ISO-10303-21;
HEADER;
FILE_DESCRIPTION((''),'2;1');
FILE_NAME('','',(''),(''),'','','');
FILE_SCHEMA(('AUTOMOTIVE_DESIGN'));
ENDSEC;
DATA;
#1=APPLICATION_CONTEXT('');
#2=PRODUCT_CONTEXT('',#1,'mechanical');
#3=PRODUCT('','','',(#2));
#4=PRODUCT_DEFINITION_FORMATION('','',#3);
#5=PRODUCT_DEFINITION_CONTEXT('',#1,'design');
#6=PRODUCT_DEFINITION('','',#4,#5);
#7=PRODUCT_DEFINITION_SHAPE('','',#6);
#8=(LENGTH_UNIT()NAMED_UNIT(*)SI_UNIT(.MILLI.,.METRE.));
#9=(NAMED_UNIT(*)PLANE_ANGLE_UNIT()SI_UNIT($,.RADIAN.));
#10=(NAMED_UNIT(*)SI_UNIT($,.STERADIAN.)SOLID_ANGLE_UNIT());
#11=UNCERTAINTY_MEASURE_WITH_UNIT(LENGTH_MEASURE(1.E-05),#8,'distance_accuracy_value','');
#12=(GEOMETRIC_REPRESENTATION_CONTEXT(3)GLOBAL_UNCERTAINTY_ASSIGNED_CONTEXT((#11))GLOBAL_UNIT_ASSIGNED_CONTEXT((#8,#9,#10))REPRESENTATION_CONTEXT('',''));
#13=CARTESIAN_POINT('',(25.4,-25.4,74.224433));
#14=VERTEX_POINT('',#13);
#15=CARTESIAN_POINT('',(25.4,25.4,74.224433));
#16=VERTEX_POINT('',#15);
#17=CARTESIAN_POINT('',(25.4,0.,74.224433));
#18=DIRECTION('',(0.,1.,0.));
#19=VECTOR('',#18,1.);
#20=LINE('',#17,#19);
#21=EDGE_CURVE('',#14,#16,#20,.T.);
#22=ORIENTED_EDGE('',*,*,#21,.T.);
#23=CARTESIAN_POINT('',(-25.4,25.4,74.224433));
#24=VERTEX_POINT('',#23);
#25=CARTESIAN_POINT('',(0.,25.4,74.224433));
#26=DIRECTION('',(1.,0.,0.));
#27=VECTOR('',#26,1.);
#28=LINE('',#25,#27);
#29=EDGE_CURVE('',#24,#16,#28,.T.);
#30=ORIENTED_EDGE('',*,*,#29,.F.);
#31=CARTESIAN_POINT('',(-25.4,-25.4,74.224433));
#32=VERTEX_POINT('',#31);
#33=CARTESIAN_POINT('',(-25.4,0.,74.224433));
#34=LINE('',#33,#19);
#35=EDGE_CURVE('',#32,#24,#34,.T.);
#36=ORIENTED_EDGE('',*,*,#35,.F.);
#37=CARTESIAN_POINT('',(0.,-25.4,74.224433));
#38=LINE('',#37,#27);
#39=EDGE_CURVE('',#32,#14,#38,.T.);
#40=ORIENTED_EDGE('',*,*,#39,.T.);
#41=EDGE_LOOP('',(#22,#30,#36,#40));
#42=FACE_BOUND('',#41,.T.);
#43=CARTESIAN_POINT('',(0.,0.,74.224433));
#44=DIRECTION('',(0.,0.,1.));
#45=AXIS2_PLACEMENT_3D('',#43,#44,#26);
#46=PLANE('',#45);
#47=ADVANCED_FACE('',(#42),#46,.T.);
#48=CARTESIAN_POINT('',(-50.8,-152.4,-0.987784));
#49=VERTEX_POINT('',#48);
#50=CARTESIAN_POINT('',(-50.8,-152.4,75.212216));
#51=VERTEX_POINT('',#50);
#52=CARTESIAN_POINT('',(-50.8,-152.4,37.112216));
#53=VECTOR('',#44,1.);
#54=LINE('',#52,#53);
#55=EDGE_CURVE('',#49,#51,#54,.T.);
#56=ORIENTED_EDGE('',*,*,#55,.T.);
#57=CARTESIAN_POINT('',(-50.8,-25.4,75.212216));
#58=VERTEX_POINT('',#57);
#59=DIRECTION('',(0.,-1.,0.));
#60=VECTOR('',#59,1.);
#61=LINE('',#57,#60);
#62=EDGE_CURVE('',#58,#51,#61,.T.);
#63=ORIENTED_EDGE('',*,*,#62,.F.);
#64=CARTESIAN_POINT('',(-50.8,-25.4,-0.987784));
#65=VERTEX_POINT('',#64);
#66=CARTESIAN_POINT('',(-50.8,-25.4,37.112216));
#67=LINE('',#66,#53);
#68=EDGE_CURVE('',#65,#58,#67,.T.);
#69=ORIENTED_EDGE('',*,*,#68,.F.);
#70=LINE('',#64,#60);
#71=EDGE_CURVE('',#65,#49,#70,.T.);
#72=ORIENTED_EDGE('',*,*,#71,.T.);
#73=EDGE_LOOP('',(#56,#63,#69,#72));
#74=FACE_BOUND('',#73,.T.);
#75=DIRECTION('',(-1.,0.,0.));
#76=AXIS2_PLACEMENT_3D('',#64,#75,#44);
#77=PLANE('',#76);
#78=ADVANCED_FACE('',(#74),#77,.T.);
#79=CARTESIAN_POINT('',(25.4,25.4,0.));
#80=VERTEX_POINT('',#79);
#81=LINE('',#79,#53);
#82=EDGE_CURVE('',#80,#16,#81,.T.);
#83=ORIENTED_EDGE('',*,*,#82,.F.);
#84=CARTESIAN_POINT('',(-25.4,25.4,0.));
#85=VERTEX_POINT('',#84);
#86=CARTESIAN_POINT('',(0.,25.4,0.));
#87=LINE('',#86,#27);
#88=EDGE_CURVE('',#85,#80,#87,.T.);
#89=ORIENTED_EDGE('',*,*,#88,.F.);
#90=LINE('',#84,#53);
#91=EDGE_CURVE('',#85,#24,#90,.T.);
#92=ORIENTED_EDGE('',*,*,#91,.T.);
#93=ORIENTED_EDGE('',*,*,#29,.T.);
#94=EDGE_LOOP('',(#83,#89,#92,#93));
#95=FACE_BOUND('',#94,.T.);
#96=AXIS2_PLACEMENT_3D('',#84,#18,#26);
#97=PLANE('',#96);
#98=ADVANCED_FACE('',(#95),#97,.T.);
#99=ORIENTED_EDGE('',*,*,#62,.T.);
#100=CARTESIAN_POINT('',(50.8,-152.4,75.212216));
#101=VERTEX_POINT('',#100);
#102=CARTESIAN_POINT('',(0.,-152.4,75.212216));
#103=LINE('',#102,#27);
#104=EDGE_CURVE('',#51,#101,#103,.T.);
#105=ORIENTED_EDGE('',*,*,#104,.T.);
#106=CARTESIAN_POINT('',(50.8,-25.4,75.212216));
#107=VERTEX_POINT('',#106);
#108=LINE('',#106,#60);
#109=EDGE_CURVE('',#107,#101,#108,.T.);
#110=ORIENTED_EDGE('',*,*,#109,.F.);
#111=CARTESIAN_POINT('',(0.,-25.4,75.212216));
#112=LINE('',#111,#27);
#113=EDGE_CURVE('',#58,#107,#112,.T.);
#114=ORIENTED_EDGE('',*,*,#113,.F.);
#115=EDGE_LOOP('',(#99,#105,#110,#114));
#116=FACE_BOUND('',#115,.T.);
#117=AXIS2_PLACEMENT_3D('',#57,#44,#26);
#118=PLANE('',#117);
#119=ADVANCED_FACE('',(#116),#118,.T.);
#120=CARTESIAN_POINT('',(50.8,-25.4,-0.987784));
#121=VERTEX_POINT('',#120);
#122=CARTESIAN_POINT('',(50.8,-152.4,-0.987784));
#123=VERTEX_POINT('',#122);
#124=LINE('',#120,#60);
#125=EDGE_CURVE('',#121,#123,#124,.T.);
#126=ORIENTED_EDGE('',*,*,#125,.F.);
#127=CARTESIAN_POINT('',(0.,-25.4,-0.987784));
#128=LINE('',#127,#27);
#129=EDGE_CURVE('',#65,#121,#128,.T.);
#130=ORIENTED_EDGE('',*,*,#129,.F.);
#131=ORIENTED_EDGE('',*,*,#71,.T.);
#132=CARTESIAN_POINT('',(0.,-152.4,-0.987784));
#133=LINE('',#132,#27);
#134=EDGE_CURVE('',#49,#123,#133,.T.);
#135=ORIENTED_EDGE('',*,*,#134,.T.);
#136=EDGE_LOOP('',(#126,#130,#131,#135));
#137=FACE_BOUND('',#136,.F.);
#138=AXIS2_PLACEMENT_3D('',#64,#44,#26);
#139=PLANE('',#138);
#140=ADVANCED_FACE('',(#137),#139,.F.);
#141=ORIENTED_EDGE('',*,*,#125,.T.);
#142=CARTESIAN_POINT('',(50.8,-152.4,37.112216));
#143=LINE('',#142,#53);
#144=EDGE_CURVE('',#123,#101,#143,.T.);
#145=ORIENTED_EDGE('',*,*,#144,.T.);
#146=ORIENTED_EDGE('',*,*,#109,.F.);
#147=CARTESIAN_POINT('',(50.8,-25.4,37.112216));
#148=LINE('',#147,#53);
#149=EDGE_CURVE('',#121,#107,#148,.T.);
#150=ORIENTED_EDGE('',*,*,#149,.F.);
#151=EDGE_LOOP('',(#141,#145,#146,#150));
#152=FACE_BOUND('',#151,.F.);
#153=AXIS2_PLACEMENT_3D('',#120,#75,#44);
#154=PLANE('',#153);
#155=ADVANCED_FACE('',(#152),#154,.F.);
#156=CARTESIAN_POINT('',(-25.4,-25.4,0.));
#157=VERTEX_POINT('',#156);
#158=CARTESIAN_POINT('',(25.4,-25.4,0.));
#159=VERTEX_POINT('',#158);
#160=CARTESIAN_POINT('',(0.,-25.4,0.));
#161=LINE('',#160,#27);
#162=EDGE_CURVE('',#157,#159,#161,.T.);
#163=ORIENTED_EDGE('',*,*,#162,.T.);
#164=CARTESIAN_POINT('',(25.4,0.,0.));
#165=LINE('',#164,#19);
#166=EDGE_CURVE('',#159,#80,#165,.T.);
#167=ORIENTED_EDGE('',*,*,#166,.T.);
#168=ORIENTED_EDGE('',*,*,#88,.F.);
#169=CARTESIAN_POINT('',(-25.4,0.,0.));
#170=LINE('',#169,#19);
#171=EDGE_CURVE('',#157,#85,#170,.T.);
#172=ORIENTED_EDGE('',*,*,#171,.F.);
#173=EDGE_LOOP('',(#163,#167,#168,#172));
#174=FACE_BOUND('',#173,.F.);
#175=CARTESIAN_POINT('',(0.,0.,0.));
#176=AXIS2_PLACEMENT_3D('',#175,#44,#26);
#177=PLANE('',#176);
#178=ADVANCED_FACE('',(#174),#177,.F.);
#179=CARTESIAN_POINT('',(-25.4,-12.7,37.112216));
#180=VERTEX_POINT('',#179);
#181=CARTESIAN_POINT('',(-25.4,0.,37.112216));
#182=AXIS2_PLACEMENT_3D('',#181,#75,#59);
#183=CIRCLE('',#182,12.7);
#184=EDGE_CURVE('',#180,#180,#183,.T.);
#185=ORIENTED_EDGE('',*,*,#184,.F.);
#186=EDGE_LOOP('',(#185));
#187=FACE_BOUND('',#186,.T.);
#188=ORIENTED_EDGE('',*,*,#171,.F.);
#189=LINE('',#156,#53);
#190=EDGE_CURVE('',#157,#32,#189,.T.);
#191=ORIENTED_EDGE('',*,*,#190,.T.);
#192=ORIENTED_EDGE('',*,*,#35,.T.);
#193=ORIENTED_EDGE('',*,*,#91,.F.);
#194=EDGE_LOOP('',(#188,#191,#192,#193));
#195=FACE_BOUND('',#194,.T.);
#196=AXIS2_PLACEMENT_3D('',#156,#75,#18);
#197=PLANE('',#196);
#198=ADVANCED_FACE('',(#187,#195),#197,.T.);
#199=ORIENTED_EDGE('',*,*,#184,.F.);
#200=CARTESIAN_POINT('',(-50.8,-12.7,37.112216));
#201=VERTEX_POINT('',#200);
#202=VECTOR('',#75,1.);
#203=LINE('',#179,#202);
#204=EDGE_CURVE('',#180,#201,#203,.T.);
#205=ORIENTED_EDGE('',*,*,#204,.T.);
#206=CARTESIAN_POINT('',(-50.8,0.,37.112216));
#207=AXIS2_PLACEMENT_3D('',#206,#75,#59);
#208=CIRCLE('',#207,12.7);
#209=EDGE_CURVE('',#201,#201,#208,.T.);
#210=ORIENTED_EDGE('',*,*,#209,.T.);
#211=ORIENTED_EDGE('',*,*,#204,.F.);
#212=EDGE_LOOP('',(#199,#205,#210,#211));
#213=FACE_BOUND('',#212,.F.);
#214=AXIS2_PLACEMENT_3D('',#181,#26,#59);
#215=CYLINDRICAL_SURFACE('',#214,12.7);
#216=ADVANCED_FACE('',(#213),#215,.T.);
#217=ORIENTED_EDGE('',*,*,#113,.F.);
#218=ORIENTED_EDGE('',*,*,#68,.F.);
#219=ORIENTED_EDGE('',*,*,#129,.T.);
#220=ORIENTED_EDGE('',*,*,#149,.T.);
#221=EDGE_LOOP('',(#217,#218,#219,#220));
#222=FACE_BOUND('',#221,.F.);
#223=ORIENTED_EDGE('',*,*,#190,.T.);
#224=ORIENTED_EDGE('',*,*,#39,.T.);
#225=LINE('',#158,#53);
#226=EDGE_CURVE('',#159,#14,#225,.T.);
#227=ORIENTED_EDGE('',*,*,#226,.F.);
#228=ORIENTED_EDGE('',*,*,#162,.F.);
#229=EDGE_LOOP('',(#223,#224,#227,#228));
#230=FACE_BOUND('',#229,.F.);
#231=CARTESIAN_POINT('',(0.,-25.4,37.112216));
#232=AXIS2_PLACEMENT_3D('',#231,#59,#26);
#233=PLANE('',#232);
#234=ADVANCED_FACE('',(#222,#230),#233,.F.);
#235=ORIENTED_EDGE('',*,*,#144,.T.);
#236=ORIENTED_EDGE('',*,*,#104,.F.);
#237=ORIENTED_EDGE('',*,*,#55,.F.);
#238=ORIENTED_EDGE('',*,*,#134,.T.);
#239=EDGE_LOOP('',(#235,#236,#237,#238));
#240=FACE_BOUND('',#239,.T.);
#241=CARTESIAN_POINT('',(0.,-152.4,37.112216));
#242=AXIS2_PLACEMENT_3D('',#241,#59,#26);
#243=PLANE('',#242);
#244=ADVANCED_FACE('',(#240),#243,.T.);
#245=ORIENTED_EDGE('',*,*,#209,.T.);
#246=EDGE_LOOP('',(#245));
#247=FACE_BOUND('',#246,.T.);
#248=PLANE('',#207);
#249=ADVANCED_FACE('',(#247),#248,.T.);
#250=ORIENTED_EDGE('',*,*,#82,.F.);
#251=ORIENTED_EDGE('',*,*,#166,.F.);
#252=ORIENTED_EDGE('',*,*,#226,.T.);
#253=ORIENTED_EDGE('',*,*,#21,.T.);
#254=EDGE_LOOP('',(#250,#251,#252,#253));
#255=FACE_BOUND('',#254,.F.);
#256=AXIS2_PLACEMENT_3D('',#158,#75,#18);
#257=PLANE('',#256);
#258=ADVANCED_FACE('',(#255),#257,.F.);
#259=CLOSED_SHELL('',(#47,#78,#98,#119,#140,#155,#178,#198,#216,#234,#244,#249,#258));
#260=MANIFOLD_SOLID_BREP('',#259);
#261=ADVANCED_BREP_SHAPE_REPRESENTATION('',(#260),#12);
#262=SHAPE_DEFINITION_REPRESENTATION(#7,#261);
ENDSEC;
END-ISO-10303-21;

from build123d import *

# Parameters (mm, degrees)
F0_W     = 50.8
F0_H     = 50.8
F1_DEPTH = 74.224433
F2_R     = 12.7
F3_DEPTH = 25.4
F4_W     = 101.6
F4_H     = 76.2
F5_DEPTH = 127


with BuildPart() as f1:
    # F0 (on Top) → F1 (new body)
    with BuildSketch(Plane.XY):
        Rectangle(F0_W, F0_H)
    extrude(amount=F1_DEPTH)

    # F2 (on face) → F3 (join)
    with BuildSketch(Plane(origin=(-25.4, 0, 0), x_dir=(0, -1, 0), z_dir=(-1, 0, 0))):
        with Locations((0, 37.112216)):
            Circle(F2_R)
    extrude(amount=F3_DEPTH)

    # F4 (on face) → F5 (join)
    with BuildSketch(Plane.XZ.offset(25.4)):
        with Locations((0, 37.112216)):
            Rectangle(F4_W, F4_H)
    extrude(amount=F5_DEPTH)


solid = f1.part
